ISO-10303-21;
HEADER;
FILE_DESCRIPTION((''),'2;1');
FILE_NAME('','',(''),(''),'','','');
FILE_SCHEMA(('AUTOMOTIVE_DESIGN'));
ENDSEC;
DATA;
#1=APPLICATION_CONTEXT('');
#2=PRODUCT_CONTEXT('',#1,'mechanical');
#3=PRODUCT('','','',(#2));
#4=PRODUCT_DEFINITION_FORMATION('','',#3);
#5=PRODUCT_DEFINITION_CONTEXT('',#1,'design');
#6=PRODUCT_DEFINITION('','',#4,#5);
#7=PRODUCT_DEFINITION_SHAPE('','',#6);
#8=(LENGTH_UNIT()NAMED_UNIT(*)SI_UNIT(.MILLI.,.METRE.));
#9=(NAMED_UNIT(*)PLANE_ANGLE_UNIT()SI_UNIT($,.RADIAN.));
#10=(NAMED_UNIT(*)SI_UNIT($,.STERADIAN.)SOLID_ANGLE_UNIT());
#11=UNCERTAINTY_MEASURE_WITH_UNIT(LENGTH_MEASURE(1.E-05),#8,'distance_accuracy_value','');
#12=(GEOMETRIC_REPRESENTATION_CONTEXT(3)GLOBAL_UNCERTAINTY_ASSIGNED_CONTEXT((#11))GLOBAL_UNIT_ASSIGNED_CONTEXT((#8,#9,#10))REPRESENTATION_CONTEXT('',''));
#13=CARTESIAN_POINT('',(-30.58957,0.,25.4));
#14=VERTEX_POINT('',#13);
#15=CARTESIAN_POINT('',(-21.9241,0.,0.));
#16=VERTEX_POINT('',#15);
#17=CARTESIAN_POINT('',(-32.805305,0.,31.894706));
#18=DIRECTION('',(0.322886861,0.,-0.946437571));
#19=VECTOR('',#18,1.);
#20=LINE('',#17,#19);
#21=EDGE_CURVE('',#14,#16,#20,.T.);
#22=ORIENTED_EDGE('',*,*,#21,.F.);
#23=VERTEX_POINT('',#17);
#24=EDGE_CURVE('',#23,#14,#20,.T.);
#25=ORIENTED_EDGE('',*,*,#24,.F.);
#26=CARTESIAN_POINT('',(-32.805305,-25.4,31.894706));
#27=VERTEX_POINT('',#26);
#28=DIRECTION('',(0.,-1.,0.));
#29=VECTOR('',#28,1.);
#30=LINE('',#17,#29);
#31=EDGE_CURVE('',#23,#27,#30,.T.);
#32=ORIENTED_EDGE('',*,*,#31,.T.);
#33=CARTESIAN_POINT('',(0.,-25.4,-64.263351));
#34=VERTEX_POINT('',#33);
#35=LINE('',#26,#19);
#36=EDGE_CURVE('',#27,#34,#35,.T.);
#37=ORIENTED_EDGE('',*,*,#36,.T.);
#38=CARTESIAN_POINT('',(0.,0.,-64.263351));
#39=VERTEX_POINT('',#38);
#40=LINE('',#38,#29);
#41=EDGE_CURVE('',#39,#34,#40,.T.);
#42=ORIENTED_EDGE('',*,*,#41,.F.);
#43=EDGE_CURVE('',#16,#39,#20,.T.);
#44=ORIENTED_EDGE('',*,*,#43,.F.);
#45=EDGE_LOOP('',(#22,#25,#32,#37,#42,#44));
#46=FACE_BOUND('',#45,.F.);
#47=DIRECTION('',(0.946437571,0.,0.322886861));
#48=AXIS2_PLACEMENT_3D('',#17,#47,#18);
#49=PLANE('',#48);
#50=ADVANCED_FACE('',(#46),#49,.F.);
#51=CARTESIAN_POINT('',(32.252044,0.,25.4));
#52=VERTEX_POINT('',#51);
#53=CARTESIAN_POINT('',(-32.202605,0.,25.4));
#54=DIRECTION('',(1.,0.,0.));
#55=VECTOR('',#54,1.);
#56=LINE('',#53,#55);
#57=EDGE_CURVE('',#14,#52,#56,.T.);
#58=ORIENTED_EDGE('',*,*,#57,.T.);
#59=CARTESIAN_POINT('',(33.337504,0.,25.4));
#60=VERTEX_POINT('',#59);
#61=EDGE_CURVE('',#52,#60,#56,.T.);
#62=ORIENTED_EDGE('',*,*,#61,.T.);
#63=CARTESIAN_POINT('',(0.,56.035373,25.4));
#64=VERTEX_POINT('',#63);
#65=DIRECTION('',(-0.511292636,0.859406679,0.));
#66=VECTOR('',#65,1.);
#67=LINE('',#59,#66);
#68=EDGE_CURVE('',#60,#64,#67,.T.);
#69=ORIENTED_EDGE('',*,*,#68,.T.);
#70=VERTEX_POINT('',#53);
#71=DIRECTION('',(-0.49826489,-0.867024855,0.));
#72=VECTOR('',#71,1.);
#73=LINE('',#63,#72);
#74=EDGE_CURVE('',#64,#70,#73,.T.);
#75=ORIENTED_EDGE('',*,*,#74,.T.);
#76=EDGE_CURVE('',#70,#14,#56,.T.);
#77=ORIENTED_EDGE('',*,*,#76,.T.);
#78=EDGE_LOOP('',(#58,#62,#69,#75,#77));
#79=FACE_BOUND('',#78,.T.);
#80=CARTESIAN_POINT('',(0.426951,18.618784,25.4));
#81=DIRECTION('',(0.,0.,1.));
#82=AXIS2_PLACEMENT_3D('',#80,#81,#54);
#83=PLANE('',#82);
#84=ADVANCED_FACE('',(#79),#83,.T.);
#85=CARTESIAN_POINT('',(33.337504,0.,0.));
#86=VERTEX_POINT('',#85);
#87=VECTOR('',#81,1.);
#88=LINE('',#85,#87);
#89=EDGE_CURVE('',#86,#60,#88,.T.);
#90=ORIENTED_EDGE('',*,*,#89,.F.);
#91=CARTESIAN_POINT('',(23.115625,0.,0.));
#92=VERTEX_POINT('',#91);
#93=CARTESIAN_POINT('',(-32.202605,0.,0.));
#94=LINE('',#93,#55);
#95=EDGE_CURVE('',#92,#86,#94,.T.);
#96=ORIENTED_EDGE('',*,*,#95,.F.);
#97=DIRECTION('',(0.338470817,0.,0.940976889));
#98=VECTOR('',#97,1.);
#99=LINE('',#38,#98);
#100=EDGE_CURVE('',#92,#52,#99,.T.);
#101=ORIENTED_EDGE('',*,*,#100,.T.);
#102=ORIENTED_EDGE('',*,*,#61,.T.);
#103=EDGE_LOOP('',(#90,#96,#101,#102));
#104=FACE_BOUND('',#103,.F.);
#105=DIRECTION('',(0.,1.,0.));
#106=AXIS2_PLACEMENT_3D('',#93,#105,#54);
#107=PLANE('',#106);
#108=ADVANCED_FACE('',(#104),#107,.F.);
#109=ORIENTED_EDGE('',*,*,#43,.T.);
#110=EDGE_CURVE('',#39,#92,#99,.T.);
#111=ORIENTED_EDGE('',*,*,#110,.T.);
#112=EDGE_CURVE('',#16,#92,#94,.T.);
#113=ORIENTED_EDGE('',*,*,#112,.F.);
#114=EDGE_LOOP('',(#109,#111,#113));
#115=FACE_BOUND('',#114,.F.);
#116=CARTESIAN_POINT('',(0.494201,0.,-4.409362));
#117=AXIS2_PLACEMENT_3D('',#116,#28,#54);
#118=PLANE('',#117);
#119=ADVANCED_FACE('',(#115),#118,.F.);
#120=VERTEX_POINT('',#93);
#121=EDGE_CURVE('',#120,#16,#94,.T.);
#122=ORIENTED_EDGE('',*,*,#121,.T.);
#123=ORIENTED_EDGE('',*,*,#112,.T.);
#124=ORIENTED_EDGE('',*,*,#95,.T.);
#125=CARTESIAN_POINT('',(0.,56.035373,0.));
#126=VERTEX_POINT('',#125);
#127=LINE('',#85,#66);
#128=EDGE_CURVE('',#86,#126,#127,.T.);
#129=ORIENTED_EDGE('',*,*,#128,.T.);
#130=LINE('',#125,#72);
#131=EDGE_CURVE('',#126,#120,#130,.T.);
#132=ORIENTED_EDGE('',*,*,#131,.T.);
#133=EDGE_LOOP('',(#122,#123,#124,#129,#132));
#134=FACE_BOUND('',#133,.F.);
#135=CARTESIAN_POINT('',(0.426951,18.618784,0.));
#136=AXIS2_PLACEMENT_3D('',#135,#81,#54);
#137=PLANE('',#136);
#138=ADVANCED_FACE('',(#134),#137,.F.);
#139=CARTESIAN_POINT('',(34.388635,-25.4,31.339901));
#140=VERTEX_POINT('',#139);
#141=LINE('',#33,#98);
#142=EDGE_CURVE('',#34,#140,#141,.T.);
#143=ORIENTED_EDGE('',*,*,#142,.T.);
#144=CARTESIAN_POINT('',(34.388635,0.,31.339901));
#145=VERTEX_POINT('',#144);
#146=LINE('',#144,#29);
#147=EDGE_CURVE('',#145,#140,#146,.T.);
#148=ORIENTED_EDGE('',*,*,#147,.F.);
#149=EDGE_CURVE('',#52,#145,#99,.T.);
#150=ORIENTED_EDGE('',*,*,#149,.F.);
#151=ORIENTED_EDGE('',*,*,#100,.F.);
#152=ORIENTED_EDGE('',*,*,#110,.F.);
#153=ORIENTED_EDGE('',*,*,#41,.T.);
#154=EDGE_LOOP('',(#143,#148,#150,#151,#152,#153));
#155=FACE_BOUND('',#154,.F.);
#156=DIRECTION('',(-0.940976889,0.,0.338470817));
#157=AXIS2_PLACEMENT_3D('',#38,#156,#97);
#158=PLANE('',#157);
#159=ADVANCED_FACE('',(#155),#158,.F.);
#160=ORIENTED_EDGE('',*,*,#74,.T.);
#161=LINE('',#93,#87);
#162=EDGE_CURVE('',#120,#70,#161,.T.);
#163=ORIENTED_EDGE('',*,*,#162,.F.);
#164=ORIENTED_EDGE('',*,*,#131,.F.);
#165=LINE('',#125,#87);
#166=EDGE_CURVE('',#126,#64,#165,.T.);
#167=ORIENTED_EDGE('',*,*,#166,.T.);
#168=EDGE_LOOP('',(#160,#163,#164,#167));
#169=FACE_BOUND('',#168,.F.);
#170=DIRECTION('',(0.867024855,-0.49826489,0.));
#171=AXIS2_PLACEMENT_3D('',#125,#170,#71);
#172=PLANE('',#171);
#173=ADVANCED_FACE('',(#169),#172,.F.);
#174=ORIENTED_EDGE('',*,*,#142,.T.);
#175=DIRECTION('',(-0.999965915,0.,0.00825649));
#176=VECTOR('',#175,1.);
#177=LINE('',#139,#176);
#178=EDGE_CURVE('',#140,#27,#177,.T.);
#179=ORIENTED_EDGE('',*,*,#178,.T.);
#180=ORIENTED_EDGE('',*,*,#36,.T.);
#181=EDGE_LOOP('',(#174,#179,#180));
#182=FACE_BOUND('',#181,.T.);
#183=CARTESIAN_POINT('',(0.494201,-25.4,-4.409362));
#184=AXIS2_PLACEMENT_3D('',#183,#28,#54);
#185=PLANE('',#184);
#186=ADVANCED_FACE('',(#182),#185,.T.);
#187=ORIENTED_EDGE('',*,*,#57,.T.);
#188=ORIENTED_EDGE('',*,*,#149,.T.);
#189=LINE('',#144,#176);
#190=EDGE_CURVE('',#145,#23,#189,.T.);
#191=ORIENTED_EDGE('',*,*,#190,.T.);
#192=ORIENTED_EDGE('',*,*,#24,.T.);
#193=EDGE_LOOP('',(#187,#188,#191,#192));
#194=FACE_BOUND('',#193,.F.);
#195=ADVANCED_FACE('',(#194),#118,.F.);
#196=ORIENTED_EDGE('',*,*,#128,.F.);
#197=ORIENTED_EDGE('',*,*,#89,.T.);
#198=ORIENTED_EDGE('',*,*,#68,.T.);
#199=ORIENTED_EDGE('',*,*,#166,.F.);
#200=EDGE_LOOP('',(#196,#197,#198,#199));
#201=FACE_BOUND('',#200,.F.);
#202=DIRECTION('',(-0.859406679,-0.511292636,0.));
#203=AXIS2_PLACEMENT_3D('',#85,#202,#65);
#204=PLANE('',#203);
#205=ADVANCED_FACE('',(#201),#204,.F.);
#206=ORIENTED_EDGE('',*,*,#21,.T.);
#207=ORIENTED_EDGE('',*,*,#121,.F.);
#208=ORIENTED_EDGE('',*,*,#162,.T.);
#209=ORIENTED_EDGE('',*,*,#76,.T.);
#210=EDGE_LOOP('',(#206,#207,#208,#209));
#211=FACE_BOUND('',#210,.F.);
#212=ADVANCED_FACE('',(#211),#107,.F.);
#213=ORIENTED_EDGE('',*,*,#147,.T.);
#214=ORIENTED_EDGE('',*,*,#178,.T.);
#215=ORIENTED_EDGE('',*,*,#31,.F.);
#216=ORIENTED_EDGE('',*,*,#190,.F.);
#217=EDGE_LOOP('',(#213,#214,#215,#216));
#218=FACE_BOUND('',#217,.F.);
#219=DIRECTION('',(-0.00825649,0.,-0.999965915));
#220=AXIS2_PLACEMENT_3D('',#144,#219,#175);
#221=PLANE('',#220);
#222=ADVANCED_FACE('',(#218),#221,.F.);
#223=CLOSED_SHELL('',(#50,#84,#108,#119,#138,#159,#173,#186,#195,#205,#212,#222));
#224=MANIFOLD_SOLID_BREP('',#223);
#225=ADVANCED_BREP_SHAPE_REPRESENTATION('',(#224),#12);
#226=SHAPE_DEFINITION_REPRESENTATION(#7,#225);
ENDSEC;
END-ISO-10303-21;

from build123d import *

# Parameters (mm, degrees)
F1_DEPTH = 25.4
F3_DEPTH = 25.4


with BuildPart() as f1:
    # F0 (on Front) → F1 (new body)
    with BuildSketch(Plane.XZ):
        Polygon((34.388635, 31.339901), (-32.805305, 31.894706), (0, -64.263351), align=None)
    extrude(amount=F1_DEPTH)

    # F2 (on Top) → F3 (join)
    with BuildSketch(Plane.XY):
        Polygon((0, 56.035373), (-32.202605, 0), (33.337504, 0), align=None)
    extrude(amount=F3_DEPTH)


solid = f1.part
